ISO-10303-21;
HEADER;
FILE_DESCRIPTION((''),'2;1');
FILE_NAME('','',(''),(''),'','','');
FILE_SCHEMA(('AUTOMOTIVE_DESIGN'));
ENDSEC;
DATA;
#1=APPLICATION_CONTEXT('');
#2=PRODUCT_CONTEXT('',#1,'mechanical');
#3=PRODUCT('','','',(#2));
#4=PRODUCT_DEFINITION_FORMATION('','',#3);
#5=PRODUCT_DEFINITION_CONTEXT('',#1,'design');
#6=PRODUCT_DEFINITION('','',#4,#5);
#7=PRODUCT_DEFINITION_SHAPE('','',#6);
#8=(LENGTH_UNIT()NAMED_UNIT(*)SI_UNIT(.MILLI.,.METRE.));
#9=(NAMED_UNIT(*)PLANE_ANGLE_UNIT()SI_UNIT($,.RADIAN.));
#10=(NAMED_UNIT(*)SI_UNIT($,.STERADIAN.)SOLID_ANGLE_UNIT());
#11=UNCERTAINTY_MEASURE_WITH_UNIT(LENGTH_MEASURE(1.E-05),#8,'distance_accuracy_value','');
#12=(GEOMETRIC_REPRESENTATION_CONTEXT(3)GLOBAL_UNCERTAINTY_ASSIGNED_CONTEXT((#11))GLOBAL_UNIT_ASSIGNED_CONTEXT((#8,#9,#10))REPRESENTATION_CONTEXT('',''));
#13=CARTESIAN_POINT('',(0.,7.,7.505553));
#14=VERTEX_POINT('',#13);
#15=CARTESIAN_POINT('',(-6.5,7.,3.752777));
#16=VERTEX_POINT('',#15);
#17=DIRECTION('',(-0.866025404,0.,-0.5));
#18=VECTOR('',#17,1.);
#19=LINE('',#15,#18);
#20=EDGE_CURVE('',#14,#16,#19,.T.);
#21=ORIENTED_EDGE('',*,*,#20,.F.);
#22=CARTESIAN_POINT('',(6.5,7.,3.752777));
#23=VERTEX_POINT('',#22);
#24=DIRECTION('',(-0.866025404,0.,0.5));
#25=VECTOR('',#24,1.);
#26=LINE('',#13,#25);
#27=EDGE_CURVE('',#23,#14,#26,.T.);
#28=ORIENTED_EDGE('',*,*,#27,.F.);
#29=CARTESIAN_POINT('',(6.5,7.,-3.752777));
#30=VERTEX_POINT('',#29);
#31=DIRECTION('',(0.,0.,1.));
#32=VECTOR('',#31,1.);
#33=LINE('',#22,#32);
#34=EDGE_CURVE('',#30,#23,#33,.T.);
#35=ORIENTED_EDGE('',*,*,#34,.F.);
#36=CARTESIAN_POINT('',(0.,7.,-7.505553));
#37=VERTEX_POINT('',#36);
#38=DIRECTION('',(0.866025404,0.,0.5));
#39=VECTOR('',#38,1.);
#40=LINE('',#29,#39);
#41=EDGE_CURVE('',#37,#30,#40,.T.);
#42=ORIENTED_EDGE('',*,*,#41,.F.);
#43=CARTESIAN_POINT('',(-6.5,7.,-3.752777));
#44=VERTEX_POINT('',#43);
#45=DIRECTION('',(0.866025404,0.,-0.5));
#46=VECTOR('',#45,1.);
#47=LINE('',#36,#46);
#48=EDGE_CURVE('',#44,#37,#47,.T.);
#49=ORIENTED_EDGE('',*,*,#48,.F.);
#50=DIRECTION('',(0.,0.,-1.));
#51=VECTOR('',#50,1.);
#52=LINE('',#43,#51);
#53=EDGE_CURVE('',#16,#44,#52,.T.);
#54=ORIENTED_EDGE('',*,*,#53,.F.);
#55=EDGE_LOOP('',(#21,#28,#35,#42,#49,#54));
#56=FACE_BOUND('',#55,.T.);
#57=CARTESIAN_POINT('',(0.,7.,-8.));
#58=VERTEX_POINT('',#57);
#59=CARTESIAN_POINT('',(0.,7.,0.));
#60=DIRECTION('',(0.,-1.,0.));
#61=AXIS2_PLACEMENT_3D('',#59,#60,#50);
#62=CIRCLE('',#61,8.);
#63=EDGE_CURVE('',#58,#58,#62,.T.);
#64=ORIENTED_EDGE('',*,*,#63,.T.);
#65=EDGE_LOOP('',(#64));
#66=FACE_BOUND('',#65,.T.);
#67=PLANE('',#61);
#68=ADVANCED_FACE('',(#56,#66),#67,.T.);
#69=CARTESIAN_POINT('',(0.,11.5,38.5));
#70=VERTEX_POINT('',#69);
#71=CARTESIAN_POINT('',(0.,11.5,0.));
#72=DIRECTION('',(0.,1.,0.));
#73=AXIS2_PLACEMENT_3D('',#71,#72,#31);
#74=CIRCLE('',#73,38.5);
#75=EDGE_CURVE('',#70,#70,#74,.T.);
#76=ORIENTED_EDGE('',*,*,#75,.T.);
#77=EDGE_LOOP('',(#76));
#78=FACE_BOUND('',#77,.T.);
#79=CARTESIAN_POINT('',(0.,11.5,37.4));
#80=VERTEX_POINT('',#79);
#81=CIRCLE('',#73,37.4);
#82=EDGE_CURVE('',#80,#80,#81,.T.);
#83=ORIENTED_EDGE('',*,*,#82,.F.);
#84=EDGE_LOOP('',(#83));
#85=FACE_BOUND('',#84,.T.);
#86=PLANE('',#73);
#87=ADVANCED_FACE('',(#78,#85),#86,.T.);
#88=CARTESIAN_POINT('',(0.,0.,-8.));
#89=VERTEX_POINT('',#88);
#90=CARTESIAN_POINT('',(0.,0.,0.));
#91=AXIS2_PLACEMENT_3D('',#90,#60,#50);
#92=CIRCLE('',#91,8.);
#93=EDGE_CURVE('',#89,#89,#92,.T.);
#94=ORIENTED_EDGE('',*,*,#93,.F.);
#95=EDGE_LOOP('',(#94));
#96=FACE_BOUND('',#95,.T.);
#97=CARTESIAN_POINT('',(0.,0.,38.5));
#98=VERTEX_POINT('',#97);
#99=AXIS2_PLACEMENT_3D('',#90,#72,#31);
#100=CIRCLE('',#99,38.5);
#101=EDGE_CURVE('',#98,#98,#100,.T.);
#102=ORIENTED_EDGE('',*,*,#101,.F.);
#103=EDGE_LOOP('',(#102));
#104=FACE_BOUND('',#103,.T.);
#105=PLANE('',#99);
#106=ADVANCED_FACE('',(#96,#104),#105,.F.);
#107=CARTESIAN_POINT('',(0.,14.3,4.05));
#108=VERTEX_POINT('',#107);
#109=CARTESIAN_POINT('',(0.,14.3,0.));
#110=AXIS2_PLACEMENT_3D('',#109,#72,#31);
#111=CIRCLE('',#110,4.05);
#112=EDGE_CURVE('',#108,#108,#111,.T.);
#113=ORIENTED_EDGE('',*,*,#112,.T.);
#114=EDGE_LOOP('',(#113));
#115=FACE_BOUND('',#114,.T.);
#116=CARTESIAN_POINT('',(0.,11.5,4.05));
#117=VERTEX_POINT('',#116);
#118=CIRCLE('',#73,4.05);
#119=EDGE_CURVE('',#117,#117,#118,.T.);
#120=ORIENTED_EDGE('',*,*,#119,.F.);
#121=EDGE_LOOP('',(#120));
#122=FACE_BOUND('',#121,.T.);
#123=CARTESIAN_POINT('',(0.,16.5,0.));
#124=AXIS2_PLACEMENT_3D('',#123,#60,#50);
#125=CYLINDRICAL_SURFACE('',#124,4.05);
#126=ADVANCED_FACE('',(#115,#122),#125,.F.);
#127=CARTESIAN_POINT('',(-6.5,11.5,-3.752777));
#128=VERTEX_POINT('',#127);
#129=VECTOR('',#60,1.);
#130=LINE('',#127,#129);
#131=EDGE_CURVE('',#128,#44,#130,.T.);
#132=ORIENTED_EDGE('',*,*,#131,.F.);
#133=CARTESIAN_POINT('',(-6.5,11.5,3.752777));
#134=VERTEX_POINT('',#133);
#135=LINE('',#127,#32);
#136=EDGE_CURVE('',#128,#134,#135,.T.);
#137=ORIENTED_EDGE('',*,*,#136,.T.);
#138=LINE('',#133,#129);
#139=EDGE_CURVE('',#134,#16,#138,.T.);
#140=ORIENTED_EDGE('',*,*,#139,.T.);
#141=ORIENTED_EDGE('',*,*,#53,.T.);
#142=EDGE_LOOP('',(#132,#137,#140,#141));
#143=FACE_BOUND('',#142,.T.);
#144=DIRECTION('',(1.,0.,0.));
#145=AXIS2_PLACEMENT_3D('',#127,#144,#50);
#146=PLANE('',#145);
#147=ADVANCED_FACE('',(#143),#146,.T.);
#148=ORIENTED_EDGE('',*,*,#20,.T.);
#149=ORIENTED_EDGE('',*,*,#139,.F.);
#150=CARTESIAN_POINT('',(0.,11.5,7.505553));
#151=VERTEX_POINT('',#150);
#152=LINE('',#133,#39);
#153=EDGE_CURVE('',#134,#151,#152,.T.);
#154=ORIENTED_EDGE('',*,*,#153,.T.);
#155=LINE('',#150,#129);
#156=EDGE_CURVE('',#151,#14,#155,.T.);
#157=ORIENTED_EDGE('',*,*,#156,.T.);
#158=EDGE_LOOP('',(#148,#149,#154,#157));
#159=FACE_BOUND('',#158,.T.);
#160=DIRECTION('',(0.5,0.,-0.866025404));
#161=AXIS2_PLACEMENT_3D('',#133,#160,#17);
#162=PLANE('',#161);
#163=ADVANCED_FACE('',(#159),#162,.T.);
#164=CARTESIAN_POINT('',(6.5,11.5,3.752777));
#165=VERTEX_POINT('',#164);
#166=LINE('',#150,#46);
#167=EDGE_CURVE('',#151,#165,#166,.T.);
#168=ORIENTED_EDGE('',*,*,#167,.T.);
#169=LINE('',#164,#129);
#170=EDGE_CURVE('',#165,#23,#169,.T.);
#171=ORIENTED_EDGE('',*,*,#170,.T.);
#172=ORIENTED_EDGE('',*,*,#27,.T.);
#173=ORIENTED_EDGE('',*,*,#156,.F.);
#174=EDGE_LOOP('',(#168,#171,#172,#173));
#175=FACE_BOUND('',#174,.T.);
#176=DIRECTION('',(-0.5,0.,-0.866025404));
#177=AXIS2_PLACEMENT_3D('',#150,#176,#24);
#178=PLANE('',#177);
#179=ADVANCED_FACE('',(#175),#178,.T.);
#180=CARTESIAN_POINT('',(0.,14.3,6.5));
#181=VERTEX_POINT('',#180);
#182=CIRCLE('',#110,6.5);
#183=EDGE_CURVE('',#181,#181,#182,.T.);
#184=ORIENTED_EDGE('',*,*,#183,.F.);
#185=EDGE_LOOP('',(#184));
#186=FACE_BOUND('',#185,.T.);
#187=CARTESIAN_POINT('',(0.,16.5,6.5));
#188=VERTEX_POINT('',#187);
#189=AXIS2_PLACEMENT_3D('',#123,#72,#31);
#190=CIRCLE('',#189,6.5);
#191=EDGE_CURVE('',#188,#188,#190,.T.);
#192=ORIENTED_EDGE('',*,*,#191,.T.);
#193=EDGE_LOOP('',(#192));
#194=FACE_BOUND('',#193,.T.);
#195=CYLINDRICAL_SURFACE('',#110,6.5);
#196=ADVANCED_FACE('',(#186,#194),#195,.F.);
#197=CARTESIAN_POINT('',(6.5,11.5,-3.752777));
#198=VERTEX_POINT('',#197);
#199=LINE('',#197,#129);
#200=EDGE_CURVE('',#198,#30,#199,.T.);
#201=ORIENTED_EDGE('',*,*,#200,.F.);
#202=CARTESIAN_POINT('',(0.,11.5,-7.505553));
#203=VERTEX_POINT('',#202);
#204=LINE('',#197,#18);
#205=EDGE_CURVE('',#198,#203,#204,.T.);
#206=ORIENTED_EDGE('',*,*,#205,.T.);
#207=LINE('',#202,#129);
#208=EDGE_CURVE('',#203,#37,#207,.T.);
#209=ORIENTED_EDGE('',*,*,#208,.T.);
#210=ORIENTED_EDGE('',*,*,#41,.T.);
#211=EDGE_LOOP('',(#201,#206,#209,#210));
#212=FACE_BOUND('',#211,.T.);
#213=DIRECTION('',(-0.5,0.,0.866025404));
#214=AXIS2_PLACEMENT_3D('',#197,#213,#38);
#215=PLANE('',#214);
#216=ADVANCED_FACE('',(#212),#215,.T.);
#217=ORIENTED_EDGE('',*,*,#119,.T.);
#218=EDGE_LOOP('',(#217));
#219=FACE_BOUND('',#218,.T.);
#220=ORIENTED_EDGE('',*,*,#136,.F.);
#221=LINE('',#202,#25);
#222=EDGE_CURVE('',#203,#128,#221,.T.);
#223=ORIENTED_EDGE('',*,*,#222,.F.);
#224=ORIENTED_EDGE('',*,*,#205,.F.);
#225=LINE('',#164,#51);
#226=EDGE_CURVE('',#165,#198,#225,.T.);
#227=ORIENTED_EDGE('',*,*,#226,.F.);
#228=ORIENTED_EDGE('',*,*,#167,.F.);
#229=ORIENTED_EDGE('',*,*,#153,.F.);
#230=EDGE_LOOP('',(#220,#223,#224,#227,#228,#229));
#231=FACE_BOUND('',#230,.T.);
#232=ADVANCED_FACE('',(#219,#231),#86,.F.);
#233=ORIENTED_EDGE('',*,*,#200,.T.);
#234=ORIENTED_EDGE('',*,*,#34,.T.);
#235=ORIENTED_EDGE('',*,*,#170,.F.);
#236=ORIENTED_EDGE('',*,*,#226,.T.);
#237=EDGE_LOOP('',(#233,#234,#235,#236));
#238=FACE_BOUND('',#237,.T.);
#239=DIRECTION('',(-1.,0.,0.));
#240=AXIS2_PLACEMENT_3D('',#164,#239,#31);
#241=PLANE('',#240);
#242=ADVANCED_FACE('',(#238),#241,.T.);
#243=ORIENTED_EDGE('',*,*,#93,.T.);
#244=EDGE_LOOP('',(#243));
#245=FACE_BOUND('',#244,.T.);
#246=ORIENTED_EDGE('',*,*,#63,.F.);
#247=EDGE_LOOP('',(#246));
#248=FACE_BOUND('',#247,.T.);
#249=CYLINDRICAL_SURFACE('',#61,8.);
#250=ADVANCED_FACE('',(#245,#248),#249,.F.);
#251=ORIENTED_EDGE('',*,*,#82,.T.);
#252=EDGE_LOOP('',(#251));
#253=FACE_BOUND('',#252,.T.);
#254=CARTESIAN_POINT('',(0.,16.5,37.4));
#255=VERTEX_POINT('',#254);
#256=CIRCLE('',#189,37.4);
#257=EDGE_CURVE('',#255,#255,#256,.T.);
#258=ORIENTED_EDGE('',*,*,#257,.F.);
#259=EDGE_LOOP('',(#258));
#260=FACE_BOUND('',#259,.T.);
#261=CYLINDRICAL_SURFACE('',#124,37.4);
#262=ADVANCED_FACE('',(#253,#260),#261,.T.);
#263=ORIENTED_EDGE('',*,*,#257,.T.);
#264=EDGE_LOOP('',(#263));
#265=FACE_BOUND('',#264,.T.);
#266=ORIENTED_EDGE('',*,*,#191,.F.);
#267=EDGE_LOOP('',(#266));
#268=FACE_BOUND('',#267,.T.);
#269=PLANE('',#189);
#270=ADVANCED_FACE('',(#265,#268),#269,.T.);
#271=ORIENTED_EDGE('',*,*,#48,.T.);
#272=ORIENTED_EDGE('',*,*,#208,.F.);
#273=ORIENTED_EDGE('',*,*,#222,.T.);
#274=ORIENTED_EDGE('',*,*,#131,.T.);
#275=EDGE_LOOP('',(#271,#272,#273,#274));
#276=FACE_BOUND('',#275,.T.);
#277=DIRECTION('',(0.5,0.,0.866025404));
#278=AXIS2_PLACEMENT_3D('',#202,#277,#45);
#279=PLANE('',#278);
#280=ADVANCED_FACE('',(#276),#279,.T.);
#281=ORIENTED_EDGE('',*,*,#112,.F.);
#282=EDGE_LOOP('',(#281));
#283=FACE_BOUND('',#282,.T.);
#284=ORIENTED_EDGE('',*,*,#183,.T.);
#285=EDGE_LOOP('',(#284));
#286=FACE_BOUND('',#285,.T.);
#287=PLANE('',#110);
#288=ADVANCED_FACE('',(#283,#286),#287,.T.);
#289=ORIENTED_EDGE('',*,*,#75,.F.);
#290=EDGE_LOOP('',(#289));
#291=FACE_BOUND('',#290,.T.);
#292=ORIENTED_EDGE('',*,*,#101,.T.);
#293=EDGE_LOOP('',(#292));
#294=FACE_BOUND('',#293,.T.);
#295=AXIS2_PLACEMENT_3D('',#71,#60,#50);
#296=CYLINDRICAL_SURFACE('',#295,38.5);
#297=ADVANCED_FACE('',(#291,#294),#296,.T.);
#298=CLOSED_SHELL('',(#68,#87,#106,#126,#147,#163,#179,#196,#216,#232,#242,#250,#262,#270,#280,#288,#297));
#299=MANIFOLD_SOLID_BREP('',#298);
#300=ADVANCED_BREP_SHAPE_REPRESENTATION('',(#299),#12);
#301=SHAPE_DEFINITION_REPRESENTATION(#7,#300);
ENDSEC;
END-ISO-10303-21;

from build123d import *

# Parameters (mm, degrees)
SKETCH1_R           = 38.5
BOSS_EXTRUDE1_DEPTH = 11.5
SKETCH2_R           = 37.4
SKETCH2_R_2         = 4.05
BOSS_EXTRUDE2_DEPTH = 5
SKETCH3_R           = 8
CUT_EXTRUDE1_DEPTH  = 7
SKETCH4_R           = 6.5
CUT_EXTRUDE2_DEPTH  = 2.2


with BuildPart() as part:
    # Sketch1 → Boss-Extrude1 (new body)
    with BuildSketch(Plane(origin=(0, 0, 0), x_dir=(1, 0, 0), z_dir=(0, 1, 0))):
        with Locations(Location((0, 0, 0), (0, 0, 270))):
            Circle(SKETCH1_R)
        Polygon((0, 7.505553499), (-6.5, 3.75277675), (-6.5, -3.75277675), (0, -7.505553499), (6.5, -3.75277675), (6.5, 3.75277675), align=None, mode=Mode.SUBTRACT)
    extrude(amount=BOSS_EXTRUDE1_DEPTH)

    # Sketch2 → Boss-Extrude2 (add)
    with BuildSketch(Plane(origin=(0, 11.5, 0), x_dir=(1, 0, 0), z_dir=(0, 1, 0))):
        with Locations(Location((0, 0, 0), (0, 0, 270))):
            Circle(SKETCH2_R)
        with Locations(Location((0, 0, 0), (0, 0, 270))):
            Circle(SKETCH2_R_2, mode=Mode.SUBTRACT)
    extrude(amount=BOSS_EXTRUDE2_DEPTH)

    # Sketch3 → Cut-Extrude1 (cut)
    with BuildSketch(Plane.XZ):
        with Locations(Location((0, 0, 0), (0, 0, 270))):
            Circle(SKETCH3_R)
    extrude(amount=-CUT_EXTRUDE1_DEPTH, mode=Mode.SUBTRACT)

    # Sketch4 → Cut-Extrude2 (cut)
    with BuildSketch(Plane(origin=(0, 16.5, 0), x_dir=(1, 0, 0), z_dir=(0, 1, 0))):
        with Locations(Location((0, 0, 0), (0, 0, 270))):
            Circle(SKETCH4_R)
    extrude(amount=-CUT_EXTRUDE2_DEPTH, mode=Mode.SUBTRACT)


solid = part.part
